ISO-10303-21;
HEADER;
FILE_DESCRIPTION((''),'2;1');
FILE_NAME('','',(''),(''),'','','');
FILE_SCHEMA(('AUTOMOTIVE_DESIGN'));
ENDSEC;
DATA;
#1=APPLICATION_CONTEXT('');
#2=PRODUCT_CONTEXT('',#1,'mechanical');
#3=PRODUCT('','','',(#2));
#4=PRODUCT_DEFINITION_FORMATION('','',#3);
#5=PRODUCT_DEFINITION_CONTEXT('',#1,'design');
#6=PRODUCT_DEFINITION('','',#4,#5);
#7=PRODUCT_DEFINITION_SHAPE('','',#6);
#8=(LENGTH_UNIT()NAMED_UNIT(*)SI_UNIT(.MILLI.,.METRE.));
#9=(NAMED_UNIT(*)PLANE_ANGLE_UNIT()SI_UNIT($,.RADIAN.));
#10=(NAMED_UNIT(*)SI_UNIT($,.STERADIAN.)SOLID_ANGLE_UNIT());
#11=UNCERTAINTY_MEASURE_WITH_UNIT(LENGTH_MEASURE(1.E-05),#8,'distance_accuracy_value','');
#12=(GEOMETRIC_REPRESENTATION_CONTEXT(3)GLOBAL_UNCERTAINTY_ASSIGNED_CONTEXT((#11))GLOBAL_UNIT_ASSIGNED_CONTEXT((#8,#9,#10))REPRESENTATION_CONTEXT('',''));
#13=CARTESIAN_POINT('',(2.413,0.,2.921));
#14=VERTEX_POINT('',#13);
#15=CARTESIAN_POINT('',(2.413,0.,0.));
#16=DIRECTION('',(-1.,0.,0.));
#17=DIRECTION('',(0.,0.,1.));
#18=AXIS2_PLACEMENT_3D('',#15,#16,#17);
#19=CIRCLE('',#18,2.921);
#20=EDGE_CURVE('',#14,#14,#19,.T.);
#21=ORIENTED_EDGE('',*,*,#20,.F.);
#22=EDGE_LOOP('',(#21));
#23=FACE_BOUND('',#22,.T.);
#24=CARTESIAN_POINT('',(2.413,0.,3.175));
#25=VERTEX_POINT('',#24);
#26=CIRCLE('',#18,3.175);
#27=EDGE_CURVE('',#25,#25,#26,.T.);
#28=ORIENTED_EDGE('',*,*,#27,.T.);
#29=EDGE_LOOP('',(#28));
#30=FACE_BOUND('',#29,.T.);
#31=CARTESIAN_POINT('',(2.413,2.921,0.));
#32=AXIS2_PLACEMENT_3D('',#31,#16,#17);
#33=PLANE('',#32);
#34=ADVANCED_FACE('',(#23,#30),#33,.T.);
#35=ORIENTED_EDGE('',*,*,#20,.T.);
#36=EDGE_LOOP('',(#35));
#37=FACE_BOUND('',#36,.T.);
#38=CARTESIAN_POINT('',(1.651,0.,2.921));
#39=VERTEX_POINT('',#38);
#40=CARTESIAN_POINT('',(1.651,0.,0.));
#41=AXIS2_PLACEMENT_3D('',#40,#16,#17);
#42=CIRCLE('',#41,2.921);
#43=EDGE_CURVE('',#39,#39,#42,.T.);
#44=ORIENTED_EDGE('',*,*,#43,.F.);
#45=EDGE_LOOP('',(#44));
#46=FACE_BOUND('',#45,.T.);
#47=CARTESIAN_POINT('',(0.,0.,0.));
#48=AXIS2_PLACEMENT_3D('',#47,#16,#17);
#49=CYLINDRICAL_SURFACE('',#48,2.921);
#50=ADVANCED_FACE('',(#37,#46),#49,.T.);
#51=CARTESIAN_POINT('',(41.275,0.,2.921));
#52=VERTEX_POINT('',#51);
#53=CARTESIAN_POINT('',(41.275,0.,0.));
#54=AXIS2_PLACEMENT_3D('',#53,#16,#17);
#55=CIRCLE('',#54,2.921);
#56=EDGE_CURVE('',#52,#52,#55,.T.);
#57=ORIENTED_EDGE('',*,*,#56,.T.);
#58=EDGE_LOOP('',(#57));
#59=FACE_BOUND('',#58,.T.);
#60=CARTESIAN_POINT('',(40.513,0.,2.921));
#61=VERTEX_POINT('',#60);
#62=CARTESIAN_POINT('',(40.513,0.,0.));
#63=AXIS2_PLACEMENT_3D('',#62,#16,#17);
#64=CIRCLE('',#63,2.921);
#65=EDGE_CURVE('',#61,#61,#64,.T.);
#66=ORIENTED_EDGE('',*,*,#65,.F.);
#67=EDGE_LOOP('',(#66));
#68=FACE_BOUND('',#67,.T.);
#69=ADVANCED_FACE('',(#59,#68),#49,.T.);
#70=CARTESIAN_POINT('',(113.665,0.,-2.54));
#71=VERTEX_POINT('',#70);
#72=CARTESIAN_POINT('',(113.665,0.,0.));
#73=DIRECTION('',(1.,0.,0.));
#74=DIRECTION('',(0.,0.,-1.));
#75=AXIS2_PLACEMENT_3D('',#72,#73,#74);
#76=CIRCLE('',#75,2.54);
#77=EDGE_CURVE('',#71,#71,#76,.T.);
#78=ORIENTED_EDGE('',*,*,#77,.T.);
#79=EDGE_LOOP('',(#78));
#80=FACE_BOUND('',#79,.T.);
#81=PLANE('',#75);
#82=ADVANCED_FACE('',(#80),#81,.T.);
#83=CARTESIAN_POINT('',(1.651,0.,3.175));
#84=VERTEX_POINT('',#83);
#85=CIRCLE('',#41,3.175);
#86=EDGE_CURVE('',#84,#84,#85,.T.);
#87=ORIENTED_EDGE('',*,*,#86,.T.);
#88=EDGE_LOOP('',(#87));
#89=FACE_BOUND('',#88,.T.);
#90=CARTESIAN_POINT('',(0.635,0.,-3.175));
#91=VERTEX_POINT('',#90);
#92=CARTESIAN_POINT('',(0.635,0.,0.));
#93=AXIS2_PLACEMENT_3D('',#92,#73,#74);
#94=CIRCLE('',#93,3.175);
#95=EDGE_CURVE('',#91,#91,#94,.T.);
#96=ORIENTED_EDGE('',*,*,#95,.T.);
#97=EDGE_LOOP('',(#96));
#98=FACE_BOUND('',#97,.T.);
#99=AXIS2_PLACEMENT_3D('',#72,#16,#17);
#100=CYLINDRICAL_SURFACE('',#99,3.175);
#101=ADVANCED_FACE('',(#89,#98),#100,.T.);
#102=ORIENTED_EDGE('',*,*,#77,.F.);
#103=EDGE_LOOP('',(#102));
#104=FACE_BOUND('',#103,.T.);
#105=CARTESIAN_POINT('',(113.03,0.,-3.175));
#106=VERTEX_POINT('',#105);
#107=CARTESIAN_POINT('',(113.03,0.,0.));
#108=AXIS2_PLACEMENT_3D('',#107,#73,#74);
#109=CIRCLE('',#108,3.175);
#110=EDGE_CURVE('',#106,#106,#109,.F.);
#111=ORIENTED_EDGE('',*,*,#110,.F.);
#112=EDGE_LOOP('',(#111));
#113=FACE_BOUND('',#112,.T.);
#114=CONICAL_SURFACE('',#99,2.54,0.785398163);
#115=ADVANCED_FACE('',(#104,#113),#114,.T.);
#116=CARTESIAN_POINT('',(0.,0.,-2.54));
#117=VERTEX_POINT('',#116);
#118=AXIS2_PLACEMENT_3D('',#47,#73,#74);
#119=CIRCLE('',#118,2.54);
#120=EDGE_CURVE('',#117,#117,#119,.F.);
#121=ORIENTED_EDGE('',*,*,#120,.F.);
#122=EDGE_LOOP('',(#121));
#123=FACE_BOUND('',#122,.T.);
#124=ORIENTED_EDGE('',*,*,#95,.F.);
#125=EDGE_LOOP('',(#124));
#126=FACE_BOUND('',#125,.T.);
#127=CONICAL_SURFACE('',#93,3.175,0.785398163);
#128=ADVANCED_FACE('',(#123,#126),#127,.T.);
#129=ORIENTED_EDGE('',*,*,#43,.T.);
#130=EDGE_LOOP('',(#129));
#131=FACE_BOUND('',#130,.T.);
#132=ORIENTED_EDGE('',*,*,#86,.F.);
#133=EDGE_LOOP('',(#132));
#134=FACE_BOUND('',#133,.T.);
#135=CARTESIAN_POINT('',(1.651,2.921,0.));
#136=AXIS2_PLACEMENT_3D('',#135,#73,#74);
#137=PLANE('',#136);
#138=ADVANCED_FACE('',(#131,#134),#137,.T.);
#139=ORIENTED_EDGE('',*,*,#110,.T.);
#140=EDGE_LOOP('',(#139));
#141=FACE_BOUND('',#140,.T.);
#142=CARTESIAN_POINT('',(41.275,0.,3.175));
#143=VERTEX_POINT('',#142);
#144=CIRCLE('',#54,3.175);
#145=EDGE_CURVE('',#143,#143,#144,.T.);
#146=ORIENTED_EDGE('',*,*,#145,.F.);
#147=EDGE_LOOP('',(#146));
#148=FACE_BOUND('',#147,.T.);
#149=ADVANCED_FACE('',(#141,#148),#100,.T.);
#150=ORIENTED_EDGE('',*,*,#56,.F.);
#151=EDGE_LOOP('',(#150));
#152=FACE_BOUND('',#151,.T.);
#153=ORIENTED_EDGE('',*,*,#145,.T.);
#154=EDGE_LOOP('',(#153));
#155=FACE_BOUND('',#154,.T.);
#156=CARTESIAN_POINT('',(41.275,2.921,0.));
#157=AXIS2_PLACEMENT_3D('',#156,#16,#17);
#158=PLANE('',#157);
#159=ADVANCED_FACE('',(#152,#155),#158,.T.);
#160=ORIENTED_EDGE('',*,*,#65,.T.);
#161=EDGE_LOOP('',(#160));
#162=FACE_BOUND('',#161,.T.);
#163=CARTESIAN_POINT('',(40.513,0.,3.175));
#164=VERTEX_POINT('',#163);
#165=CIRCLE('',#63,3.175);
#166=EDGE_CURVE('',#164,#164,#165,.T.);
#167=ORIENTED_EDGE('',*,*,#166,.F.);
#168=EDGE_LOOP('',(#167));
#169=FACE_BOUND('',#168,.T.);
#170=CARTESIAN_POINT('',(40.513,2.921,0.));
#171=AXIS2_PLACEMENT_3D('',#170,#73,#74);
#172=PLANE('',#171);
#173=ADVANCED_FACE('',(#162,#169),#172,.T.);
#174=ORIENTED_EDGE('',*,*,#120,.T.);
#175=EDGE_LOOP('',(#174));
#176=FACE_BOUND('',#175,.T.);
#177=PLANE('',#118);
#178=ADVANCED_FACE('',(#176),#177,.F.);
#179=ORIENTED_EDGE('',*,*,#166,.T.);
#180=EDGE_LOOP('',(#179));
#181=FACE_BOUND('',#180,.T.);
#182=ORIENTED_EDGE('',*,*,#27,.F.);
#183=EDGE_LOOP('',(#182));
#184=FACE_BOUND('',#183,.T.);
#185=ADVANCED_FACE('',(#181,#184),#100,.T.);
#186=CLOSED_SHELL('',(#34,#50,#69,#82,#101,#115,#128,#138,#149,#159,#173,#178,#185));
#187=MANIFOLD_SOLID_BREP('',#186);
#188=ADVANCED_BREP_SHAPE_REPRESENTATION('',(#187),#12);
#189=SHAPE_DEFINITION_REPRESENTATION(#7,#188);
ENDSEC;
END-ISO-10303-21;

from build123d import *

# Parameters (mm, degrees)
SKETCH2_R           = 3.175
BOSS_EXTRUDE1_DEPTH = 113.665
CHAMFER1_SIZE       = 0.635
SKETCH3_W           = 0.762
SKETCH3_H           = 0.254


with BuildPart() as part:
    # Sketch2 → Boss-Extrude1 (new body)
    with BuildSketch(Plane(origin=(0, 0, 0), x_dir=(0, 0, -1), z_dir=(1, 0, 0))):
        Circle(SKETCH2_R)
    extrude(amount=BOSS_EXTRUDE1_DEPTH)

    # Chamfer1
    chamfer1_edges = [part.edges().sort_by_distance(p)[0] for p in [
        (0, 0, 3.175),
        (113.665, 0, 3.175),
    ]]
    chamfer(chamfer1_edges, length=CHAMFER1_SIZE)

    # Sketch3 → Cut-Revolve1 (revolve, cut)
    with BuildSketch(Plane.XY):
        with Locations((2.032, 3.048)):
            Rectangle(SKETCH3_W, SKETCH3_H)
        with Locations((40.894, 3.048)):
            Rectangle(SKETCH3_W, SKETCH3_H)
    revolve(axis=Axis((0, 0, 0), (1, 0, 0)), mode=Mode.SUBTRACT)


solid = part.part
